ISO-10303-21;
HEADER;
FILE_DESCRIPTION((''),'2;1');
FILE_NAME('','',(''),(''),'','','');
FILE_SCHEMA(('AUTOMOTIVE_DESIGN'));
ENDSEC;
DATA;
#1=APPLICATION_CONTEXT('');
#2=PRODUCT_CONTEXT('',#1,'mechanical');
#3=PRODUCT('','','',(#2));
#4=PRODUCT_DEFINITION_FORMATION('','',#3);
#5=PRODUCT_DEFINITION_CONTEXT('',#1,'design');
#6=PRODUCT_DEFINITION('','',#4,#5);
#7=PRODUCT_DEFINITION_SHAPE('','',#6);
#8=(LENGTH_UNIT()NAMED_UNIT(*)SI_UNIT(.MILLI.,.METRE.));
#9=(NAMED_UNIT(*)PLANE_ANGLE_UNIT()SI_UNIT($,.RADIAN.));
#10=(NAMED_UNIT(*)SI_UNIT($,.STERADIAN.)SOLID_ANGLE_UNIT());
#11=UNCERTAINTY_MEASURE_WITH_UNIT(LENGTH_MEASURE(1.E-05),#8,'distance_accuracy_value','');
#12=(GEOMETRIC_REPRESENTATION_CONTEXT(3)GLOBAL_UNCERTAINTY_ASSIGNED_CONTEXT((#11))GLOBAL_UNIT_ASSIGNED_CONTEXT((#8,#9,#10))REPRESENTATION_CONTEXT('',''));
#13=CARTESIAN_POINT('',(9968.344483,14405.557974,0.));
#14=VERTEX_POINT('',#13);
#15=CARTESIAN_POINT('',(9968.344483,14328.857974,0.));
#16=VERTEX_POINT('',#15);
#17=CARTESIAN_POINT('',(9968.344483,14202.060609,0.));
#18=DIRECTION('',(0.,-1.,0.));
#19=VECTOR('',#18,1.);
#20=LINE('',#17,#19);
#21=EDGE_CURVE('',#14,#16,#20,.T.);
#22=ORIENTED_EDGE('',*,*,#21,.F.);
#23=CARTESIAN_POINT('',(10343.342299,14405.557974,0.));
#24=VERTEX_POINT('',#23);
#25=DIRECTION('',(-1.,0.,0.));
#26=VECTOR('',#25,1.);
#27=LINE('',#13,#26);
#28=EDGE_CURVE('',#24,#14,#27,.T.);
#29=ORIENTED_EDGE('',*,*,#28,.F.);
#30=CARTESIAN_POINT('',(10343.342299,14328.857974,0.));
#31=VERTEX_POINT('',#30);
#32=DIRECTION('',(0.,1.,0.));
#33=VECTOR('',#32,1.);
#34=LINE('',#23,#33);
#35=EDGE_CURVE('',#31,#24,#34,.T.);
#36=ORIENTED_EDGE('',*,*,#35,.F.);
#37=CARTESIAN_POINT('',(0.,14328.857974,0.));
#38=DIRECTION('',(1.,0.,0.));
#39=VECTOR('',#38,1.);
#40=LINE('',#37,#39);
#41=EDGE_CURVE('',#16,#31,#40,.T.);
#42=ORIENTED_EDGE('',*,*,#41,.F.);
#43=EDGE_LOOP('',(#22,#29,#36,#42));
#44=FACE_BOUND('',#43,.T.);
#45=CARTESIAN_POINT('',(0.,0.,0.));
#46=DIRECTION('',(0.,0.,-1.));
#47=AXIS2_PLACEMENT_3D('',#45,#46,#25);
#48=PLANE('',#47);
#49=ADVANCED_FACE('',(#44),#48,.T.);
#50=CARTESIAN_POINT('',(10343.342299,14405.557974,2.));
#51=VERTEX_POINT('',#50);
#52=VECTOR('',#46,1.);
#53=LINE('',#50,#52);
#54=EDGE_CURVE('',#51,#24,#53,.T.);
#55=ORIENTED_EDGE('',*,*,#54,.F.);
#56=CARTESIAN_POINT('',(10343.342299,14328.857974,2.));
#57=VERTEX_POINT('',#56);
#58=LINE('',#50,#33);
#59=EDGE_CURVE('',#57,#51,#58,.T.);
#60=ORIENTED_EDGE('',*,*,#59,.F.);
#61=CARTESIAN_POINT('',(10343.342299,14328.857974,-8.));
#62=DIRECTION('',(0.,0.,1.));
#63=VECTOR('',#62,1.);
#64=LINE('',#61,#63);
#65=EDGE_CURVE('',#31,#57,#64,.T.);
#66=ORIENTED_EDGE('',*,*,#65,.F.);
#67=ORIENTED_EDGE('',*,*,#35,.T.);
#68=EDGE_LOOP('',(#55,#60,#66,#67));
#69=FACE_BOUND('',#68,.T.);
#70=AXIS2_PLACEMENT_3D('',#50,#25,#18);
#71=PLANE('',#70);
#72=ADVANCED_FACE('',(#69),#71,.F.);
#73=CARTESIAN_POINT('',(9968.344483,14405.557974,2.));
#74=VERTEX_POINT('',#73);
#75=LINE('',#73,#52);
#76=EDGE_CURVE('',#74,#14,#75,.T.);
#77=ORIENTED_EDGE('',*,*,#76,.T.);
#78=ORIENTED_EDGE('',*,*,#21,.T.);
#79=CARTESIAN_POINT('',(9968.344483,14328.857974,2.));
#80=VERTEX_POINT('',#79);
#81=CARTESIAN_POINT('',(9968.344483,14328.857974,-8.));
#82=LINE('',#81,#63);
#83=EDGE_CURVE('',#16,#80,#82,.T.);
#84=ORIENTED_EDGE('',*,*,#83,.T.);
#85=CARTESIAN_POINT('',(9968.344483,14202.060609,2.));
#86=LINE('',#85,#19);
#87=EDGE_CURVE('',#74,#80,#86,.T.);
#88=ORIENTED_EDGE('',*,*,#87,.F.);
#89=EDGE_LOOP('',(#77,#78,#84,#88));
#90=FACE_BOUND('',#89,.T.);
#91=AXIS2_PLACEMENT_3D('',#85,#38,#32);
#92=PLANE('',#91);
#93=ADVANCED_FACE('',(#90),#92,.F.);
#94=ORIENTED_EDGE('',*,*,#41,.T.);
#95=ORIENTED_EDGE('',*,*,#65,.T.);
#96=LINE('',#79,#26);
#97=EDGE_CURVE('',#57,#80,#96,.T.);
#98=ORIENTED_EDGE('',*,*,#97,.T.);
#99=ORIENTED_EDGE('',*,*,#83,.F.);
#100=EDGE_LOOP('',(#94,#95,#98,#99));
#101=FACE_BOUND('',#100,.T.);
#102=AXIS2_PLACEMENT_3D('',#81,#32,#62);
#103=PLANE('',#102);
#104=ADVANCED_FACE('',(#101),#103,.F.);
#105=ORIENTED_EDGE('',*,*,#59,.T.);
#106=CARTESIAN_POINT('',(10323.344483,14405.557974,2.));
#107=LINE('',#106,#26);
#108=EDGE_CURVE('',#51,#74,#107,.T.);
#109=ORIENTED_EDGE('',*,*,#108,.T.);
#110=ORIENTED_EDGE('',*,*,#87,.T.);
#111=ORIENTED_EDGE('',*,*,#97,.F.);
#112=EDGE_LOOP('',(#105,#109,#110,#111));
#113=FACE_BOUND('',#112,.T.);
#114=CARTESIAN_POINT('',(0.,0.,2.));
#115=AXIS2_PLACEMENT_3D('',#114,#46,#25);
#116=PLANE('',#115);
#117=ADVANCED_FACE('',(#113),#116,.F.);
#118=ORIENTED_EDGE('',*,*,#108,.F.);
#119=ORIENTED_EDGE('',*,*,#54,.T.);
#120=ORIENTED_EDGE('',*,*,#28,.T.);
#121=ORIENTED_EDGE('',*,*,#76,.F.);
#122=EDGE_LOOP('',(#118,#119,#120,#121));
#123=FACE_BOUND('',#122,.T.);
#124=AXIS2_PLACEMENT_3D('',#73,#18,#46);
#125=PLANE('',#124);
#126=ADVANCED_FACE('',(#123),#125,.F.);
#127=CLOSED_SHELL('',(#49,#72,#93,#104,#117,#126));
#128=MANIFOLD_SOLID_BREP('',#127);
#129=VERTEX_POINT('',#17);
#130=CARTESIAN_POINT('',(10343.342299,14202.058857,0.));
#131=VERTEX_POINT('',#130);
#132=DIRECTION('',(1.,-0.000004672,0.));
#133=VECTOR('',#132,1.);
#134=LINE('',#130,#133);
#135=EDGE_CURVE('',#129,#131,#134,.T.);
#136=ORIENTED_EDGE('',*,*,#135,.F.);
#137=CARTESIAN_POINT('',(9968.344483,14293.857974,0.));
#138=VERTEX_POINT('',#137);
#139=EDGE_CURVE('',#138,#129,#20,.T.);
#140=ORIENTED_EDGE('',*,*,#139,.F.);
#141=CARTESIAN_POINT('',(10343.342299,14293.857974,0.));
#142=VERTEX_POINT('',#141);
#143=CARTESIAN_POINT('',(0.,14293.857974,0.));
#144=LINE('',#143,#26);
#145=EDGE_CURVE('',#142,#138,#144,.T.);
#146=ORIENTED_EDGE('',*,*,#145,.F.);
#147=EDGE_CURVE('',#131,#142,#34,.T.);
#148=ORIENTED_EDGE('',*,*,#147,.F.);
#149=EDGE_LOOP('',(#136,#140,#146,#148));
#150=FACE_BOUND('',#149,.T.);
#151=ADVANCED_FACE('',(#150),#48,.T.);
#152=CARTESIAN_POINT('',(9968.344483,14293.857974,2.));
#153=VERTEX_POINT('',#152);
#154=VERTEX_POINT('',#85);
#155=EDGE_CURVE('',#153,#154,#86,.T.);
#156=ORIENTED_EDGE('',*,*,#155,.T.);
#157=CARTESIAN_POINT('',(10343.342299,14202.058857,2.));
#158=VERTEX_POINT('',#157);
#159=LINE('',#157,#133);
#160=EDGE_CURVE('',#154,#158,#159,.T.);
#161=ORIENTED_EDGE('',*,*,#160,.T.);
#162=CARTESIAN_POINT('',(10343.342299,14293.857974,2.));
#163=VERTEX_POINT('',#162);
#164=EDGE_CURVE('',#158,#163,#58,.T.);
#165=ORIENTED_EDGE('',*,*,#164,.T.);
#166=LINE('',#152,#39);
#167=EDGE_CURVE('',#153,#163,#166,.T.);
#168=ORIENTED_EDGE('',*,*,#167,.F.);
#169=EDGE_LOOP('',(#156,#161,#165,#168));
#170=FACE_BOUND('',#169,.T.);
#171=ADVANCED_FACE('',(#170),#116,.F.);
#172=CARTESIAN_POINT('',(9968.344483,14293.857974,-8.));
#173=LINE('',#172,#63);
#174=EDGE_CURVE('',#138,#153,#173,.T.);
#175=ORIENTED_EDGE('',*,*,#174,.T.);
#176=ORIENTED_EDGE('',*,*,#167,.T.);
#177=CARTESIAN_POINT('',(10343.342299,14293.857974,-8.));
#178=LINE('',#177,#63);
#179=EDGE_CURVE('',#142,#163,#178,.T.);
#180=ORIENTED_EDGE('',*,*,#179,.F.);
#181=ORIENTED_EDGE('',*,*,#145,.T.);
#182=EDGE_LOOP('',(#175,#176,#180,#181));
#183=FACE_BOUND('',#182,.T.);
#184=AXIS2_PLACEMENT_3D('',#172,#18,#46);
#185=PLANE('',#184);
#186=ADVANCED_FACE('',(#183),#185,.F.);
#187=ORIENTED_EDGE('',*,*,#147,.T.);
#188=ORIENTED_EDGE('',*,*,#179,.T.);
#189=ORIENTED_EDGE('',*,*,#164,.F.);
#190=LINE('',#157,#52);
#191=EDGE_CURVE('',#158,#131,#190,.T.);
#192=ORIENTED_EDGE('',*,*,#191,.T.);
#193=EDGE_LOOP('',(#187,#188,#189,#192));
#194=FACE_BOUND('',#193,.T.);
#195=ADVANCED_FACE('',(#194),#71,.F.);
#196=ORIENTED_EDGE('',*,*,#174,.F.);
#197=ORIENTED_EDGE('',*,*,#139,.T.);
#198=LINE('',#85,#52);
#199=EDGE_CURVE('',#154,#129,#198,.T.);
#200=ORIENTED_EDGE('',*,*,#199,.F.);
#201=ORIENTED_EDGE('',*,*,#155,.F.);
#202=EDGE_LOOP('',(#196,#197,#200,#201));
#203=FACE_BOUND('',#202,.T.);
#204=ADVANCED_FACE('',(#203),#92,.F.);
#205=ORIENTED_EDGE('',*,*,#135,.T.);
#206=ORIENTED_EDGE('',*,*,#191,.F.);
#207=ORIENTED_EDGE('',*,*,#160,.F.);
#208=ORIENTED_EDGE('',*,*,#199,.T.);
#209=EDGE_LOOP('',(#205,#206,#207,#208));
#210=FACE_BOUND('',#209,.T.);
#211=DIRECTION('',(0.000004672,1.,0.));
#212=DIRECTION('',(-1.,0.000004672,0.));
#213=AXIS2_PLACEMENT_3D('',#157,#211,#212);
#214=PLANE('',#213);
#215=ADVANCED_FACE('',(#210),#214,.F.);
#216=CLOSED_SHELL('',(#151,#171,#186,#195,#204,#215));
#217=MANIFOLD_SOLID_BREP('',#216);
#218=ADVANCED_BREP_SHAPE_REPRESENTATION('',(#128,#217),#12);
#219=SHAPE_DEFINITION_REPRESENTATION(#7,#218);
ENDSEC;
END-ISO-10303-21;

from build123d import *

# Parameters (mm, degrees)
BOSS_EXTRUDE1_DEPTH = 2
SKETCH3_W           = 374.997816797
SKETCH3_H           = 35
CUT_EXTRUDE2_DEPTH  = 10


with BuildPart() as part:
    # Sketch1 → Boss-Extrude1 (new body)
    with BuildSketch(Plane.XY):
        Polygon((10323.34448258, 14405.557974035), (9969.84448258, 14405.557974035), (9968.34448258, 14405.557974035), (9968.34448258, 14202.06060864), (10343.342299377, 14202.058856827), (10343.342299377, 14405.557974035), align=None)
    extrude(amount=BOSS_EXTRUDE1_DEPTH)

    # Sketch3 → Cut-Extrude2 (cut)
    with BuildSketch(Plane.XY.offset(2)):
        with Locations((10155.843390978, 14311.357974035)):
            Rectangle(SKETCH3_W, SKETCH3_H)
    extrude(amount=-CUT_EXTRUDE2_DEPTH, mode=Mode.SUBTRACT)


solid = part.part
